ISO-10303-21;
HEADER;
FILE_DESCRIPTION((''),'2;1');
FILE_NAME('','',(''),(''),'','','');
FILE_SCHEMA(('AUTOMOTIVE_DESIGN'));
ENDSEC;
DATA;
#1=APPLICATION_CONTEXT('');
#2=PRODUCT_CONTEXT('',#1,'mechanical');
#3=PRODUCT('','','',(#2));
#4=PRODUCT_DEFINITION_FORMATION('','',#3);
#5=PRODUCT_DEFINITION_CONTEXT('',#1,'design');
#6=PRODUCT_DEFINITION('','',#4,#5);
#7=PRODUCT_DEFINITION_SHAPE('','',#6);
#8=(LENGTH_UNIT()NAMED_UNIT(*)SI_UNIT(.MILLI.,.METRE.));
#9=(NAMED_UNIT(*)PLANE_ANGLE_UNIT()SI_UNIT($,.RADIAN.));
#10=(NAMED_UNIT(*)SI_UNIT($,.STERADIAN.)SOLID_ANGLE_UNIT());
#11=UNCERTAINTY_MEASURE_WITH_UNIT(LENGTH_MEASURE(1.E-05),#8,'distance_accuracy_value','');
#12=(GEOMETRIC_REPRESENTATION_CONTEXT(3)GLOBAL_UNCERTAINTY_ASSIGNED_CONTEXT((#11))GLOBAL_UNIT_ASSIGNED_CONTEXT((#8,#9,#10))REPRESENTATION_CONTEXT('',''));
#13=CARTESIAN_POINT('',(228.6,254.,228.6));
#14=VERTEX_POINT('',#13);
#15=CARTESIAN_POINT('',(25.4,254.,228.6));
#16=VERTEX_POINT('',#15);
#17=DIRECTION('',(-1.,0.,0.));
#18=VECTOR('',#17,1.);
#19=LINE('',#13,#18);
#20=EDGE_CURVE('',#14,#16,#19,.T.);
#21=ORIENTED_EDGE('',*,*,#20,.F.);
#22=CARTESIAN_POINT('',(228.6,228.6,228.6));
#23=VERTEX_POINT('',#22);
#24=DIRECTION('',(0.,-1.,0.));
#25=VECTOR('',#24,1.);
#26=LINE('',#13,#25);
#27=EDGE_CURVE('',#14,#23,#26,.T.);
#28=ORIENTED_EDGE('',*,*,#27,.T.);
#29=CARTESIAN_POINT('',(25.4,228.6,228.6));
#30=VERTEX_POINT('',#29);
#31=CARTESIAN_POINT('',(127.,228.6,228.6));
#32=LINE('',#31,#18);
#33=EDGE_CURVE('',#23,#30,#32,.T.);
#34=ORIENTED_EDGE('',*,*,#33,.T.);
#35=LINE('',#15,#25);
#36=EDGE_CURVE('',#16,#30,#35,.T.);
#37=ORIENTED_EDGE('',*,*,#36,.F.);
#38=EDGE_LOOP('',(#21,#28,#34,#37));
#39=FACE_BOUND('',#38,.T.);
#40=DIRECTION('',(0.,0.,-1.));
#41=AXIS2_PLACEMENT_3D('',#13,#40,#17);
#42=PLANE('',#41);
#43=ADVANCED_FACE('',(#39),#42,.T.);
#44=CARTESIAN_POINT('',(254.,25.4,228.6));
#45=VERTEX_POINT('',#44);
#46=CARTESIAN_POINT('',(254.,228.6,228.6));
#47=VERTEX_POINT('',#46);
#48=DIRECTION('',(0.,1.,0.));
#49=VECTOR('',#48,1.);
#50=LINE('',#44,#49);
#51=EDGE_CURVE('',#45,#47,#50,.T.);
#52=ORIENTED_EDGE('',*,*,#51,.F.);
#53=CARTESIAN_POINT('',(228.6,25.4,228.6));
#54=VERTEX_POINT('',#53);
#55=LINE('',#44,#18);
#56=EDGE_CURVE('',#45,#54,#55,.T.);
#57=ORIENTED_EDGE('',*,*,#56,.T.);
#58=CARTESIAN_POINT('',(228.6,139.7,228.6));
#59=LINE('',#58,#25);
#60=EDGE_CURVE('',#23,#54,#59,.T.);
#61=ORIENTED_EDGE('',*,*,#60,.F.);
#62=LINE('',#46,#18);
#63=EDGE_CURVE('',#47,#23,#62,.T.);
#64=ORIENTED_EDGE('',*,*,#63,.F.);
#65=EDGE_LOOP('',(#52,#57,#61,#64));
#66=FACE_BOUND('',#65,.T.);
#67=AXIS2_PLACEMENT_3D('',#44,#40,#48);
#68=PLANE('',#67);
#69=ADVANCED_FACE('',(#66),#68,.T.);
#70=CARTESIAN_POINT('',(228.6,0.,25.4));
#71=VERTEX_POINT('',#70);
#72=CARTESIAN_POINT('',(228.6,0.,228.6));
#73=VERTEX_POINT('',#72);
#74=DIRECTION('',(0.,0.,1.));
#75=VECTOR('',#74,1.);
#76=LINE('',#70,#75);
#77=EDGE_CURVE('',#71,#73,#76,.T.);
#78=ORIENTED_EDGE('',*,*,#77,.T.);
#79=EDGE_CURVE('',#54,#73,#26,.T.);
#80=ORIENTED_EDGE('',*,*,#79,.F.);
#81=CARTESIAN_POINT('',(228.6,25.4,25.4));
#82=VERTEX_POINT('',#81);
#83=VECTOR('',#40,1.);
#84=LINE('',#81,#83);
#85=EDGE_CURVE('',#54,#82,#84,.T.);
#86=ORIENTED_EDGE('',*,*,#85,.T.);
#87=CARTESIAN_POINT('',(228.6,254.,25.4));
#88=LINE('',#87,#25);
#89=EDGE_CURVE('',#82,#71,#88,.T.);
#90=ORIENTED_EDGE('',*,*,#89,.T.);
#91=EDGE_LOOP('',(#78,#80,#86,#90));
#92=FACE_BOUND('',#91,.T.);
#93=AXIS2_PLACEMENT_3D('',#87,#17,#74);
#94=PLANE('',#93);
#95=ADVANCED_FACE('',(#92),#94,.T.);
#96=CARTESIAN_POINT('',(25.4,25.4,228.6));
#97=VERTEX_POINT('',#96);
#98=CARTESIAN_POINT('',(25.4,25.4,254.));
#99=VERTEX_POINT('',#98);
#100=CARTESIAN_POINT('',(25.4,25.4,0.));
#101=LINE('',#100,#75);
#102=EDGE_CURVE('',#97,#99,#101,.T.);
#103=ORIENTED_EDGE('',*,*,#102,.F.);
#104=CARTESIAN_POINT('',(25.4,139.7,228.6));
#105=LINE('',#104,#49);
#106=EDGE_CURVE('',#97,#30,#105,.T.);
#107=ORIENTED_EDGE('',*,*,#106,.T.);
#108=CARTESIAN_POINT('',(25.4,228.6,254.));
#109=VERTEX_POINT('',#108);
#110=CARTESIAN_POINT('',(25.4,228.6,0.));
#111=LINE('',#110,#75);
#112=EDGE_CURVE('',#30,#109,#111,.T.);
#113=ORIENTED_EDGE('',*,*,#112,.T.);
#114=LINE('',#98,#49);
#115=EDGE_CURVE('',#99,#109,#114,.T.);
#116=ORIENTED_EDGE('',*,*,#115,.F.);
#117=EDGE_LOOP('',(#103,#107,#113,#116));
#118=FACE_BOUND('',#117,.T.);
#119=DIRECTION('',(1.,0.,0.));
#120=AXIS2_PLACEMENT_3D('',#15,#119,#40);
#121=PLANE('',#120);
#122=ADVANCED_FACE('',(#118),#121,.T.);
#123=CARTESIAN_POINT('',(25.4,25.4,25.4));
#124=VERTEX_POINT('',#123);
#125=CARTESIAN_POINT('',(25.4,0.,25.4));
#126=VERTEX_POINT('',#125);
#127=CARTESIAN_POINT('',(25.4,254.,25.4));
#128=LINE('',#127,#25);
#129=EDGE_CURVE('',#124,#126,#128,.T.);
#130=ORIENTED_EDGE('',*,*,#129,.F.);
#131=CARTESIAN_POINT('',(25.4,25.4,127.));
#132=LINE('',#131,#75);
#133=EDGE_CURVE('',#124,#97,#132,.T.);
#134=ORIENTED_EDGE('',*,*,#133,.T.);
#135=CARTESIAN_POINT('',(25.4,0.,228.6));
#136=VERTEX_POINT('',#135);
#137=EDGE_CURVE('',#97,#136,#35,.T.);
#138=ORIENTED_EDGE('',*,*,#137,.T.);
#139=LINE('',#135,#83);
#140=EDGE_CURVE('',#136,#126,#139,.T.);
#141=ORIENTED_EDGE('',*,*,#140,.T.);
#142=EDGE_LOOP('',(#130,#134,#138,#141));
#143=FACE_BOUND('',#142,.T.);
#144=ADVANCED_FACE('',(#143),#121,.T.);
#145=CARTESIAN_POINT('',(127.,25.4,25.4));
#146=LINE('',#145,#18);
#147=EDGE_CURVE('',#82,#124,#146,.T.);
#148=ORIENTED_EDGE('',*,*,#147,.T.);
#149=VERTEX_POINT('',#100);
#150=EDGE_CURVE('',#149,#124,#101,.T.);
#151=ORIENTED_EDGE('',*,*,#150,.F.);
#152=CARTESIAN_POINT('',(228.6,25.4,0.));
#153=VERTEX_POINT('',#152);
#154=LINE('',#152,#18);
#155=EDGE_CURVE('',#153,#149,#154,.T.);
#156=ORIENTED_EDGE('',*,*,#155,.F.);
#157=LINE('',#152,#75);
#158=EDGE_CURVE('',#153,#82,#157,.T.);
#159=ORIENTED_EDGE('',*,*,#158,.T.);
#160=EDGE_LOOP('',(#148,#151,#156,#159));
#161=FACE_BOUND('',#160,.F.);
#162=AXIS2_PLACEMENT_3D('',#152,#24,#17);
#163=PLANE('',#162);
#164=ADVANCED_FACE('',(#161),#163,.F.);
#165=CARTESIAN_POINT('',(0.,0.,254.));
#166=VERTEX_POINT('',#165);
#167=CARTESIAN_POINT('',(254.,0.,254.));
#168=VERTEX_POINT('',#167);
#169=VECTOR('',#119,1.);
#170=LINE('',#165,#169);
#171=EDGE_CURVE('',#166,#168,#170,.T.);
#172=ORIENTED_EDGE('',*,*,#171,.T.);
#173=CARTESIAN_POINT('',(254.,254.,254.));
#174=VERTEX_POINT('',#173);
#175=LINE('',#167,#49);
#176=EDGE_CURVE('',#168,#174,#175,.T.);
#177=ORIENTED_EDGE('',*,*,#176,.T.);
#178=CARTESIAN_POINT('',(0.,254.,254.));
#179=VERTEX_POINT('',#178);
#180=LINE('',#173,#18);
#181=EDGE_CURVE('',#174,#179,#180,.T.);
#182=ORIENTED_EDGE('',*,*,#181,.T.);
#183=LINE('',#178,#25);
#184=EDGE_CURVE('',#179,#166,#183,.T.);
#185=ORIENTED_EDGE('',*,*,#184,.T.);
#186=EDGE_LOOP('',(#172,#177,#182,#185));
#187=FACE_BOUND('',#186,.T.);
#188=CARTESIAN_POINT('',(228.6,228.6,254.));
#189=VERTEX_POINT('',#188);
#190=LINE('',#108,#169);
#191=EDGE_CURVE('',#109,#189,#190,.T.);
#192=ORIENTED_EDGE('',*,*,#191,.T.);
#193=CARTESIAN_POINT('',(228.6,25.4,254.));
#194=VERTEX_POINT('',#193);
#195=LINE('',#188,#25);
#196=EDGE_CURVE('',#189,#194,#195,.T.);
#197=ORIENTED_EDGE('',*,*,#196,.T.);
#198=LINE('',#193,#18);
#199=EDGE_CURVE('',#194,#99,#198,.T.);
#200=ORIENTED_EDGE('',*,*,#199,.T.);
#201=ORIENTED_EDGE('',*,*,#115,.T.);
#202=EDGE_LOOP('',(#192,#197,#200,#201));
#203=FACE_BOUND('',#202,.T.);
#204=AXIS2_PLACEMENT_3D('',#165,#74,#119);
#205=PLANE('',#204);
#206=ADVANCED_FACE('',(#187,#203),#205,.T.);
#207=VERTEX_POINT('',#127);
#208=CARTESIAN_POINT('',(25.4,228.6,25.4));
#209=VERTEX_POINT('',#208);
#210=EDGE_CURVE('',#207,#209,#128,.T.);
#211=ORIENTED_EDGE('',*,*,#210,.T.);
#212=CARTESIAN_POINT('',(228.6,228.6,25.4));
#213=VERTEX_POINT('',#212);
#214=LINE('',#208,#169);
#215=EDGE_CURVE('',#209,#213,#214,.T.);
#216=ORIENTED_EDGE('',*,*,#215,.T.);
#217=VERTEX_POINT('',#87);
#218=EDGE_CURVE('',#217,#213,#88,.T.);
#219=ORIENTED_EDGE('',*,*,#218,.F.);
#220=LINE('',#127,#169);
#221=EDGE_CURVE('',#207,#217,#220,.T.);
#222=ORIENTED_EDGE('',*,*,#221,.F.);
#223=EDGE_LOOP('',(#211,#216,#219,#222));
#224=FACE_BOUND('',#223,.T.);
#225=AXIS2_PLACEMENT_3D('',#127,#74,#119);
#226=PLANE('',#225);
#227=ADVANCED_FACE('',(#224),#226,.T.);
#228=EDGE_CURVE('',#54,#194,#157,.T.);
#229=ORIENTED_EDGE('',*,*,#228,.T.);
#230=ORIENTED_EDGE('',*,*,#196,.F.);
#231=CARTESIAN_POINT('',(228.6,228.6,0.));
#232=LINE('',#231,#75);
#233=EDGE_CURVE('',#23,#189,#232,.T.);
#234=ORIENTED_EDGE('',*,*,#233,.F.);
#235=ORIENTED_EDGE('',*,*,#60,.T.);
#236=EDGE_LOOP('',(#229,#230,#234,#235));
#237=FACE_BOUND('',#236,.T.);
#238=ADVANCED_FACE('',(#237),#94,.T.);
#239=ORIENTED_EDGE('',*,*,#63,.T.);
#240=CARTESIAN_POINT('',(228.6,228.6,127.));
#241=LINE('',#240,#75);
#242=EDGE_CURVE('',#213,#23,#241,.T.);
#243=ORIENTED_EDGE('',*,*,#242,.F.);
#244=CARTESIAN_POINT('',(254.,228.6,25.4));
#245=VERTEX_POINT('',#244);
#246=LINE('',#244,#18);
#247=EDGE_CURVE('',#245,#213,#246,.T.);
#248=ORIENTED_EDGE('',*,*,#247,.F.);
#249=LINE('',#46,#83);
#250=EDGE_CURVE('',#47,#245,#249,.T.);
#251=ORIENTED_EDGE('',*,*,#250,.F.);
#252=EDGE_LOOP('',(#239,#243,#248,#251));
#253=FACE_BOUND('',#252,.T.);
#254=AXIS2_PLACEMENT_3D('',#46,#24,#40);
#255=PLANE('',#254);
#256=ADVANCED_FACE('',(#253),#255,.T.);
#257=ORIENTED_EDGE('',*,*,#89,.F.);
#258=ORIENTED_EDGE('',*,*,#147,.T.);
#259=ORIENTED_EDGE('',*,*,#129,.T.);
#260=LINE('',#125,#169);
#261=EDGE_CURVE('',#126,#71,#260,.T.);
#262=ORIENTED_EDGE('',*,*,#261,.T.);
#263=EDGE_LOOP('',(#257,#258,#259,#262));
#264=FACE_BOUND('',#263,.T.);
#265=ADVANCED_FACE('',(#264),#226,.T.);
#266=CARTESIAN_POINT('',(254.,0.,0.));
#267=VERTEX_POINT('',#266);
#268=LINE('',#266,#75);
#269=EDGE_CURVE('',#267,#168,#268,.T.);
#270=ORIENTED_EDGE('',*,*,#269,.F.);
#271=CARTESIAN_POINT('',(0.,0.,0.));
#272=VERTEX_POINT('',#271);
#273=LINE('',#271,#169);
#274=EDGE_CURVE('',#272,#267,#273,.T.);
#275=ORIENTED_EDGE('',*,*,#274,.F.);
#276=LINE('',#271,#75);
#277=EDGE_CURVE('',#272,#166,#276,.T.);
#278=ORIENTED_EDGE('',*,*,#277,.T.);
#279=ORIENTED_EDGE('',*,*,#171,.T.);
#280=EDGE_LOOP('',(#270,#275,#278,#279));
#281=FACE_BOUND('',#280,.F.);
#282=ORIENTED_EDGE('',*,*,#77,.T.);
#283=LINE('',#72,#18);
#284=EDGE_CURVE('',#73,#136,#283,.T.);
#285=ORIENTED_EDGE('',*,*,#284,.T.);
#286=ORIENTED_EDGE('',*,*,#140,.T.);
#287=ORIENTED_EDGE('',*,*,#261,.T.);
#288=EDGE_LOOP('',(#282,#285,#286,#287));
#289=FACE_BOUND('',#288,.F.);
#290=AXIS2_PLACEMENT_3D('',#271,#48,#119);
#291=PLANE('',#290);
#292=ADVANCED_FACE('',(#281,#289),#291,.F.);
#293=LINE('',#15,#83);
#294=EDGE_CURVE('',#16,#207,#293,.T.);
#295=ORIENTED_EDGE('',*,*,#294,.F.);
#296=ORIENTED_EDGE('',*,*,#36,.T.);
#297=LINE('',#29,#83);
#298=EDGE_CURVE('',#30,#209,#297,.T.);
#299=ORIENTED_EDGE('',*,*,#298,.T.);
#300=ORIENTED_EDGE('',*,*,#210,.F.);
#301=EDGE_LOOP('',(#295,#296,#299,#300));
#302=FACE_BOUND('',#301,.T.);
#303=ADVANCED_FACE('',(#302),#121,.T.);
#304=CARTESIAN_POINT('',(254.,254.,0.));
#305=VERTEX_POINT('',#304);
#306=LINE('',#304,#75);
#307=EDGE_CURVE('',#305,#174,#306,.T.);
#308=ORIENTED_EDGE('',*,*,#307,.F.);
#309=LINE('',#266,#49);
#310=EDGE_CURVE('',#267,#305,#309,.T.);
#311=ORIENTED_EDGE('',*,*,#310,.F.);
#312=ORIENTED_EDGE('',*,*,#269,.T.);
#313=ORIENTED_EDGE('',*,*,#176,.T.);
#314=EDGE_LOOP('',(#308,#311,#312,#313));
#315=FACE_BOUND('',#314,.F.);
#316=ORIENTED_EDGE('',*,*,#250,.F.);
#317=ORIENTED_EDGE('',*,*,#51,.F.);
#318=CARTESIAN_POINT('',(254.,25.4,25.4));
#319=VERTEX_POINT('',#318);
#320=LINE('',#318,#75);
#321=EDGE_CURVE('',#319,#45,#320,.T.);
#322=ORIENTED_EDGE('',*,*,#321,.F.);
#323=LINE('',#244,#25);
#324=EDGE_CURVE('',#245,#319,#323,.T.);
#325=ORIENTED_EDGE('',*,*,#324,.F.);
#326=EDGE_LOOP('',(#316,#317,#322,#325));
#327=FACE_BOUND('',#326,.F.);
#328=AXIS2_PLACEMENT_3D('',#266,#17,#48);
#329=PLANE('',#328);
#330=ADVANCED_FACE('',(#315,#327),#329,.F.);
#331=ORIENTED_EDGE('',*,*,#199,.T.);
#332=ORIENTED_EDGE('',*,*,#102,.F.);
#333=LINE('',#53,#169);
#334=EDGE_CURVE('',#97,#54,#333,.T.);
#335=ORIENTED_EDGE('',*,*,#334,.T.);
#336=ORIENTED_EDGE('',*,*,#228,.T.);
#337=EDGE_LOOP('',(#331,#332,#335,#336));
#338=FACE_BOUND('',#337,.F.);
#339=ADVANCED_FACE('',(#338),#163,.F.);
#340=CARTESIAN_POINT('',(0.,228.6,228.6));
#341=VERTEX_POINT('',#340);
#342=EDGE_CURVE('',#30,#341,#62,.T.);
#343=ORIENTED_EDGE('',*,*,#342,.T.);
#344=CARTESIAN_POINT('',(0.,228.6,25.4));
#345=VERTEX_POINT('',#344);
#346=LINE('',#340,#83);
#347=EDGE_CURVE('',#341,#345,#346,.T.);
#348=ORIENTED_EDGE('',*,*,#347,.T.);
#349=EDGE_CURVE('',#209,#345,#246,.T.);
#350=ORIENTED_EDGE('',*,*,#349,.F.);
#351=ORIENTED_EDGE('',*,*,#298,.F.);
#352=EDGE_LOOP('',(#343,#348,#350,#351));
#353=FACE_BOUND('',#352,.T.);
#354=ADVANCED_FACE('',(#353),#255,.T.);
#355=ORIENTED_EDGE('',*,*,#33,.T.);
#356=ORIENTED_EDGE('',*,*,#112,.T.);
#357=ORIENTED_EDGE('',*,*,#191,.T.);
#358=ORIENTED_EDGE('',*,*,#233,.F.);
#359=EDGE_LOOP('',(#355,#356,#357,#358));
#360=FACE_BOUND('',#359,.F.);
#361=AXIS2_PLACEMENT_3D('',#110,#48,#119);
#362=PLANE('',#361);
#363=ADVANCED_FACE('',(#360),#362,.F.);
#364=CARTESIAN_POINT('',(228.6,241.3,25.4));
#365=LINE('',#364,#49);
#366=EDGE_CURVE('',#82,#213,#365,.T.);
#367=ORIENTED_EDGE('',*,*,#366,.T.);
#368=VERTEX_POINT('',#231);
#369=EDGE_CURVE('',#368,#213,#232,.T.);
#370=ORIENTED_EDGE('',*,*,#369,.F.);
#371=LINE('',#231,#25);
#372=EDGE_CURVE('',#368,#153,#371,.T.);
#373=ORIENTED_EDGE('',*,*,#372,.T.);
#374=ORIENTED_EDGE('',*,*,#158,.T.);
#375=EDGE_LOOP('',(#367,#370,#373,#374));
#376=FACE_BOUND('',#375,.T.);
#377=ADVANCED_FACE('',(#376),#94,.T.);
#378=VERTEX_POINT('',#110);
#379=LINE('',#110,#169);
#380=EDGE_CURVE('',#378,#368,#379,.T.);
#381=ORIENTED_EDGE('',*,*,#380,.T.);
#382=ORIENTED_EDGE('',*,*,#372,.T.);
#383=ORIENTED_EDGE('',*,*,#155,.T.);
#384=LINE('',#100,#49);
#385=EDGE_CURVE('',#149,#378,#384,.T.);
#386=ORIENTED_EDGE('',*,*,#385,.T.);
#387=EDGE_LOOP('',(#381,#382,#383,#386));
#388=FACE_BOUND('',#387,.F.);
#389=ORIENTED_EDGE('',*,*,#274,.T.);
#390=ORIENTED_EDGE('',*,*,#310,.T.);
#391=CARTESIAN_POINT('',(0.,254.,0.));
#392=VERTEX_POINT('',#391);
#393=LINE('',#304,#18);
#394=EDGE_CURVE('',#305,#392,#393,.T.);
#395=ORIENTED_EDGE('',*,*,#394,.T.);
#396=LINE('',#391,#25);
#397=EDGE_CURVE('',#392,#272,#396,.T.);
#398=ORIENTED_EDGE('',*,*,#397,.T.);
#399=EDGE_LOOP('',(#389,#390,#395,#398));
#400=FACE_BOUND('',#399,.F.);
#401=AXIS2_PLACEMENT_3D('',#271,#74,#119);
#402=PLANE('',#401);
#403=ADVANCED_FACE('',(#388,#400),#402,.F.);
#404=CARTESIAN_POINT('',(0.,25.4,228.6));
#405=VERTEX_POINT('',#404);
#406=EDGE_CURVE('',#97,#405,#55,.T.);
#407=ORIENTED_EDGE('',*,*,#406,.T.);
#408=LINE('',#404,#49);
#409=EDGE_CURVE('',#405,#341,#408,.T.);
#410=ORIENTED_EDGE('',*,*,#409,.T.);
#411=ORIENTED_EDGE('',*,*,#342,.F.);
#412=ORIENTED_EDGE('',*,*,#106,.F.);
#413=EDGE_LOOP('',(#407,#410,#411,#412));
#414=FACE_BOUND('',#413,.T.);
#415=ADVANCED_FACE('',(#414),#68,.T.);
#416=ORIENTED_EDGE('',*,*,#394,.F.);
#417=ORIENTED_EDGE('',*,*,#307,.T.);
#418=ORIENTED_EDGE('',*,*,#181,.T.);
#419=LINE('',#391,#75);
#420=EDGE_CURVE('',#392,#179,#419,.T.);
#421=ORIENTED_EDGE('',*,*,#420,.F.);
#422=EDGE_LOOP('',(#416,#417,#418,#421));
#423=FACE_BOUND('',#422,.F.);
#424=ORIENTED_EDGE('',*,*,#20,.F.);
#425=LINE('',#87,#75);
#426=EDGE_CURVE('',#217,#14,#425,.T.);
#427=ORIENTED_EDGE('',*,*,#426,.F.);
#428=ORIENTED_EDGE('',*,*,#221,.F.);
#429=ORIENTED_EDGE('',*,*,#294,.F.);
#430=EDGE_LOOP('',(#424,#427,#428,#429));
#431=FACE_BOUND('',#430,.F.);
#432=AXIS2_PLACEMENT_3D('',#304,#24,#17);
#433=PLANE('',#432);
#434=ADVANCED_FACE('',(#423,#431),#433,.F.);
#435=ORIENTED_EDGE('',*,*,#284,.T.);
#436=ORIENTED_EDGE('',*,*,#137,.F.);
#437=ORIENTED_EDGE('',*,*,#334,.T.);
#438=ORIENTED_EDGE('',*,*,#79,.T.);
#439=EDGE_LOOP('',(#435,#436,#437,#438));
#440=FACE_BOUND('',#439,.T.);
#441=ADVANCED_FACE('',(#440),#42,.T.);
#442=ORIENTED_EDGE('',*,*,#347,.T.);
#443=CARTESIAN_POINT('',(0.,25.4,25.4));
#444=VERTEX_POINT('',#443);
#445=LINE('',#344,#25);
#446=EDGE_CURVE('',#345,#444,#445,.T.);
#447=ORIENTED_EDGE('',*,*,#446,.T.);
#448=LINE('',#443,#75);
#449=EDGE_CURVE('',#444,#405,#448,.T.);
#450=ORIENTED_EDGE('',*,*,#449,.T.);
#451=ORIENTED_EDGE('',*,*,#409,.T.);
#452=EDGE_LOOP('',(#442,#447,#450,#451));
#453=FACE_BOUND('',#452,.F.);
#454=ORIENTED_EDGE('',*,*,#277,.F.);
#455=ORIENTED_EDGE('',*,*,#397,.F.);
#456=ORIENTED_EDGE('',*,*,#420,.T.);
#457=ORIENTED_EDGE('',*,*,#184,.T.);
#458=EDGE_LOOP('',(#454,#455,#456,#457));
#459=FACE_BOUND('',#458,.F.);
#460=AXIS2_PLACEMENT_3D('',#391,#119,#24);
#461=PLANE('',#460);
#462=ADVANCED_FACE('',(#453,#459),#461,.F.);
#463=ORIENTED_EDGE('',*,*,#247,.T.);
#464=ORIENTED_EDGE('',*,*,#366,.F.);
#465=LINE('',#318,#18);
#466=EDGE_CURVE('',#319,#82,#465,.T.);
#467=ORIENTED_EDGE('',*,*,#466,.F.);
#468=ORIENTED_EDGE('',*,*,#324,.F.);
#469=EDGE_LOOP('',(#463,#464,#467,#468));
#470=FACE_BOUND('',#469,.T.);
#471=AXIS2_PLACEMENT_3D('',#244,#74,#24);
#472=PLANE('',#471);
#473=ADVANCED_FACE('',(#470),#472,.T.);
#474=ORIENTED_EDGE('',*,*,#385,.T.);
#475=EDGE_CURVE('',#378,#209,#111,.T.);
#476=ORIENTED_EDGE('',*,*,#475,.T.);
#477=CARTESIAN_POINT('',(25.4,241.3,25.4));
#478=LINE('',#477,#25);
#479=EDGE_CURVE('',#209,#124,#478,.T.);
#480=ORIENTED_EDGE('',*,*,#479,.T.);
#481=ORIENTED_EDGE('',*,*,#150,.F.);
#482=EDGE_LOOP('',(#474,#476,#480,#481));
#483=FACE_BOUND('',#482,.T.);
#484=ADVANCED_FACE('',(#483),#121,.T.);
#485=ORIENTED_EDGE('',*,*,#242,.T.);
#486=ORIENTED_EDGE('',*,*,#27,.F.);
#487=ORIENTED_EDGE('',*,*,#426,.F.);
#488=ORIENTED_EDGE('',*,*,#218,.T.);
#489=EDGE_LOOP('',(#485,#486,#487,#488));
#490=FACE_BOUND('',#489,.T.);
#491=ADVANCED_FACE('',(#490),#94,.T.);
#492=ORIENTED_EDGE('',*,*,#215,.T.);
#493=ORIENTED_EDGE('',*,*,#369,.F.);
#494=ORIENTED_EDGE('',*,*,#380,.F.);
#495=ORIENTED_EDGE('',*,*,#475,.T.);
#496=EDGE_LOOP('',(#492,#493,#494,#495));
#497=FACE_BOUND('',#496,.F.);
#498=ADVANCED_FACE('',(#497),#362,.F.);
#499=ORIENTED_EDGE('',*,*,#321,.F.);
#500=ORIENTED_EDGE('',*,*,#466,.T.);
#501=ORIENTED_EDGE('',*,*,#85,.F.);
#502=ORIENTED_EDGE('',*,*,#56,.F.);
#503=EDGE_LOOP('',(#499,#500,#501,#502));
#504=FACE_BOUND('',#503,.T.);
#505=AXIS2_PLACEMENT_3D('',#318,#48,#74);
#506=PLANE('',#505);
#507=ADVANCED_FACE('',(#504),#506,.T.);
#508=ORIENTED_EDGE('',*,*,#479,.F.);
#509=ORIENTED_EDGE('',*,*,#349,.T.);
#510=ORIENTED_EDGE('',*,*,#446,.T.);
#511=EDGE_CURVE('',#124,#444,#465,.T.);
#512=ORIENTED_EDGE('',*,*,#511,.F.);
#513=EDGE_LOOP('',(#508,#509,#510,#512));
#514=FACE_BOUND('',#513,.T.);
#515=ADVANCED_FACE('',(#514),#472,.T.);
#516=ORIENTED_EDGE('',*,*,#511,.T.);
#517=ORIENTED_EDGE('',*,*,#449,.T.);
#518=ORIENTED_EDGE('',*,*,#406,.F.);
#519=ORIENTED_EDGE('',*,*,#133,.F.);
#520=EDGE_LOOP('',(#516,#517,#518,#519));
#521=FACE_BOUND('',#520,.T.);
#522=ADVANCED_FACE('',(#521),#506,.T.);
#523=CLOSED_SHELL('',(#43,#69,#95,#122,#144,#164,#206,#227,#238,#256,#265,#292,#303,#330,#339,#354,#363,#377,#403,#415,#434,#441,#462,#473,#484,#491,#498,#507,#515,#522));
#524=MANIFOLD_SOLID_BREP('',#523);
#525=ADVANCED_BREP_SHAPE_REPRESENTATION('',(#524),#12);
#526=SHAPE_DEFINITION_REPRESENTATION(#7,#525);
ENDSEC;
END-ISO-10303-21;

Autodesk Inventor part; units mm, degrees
ref_plane "YZ Plane" through (0, 0, 0) normal (1, 0, 0) x (0, 1, 0)
ref_plane "XZ Plane" through (0, 0, 0) normal (0, 1, 0) x (-1, 0, 0)
ref_plane "XY Plane" through (0, 0, 0) normal (0, 0, 1) x (1, 0, 0)
sketch "Sketch1" plane through (0, 0, 0) normal (0, 0, 1) x (1, 0, 0)
  line L0 (0, 0) -> (254, 0)
  line L1 (254, 0) -> (254, 254)
  line L2 (254, 254) -> (0, 254)
  line L3 (0, 254) -> (0, 0)
  line L4 (25.4, 228.6) -> (228.6, 228.6)
  line L5 (228.6, 228.6) -> (228.6, 25.4)
  line L6 (228.6, 25.4) -> (25.4, 25.4)
  line L7 (25.4, 25.4) -> (25.4, 228.6)
  dimension "d0" = 254
  dimension "d1" = 25.4
extrude "Extrusion1" add sketch "Sketch1" along normal blind 254
sketch "Sketch2" plane through (0, 254, 0) normal (0, 1, 0) x (1, 0, 0)
  line L0 (254, 0) -> (0, 0) projected
  line L1 (0, 0) -> (0, -254) projected
  line L2 (254, -254) -> (0, -254) projected
  line L3 (254, 0) -> (254, -254) projected
  line L4 (25.4, -228.6) -> (25.4, -25.4)
  line L5 (25.4, -25.4) -> (228.6, -25.4)
  line L6 (228.6, -25.4) -> (228.6, -228.6)
  line L7 (228.6, -228.6) -> (25.4, -228.6)
  dimension "d4" = 25.4
extrude "Extrusion2" cut sketch "Sketch2" against normal blind 254 contours L4 L5 L6 L7
sketch "Sketch3" plane through (254, 0, 0) normal (1, 0, 0) x (0, 0, -1)
  line L0 (0, 0) -> (0, 254) projected
  line L1 (0, 254) -> (-254, 254) projected
  line L2 (-254, 0) -> (-254, 254) projected
  line L3 (0, 0) -> (-254, 0) projected
  line L4 (0, 0) -> (0, 254) projected
  line L5 (-25.4, 228.6) -> (-25.4, 25.4)
  line L6 (-25.4, 25.4) -> (-228.6, 25.4)
  line L7 (-228.6, 25.4) -> (-228.6, 228.6)
  line L8 (-228.6, 228.6) -> (-25.4, 228.6)
  dimension "d7" = 25.4
extrude "Extrusion3" cut sketch "Sketch3" against normal blind 254 contours L5 L6 L7 L8
properties part number "CUBE for Game Design_1"
